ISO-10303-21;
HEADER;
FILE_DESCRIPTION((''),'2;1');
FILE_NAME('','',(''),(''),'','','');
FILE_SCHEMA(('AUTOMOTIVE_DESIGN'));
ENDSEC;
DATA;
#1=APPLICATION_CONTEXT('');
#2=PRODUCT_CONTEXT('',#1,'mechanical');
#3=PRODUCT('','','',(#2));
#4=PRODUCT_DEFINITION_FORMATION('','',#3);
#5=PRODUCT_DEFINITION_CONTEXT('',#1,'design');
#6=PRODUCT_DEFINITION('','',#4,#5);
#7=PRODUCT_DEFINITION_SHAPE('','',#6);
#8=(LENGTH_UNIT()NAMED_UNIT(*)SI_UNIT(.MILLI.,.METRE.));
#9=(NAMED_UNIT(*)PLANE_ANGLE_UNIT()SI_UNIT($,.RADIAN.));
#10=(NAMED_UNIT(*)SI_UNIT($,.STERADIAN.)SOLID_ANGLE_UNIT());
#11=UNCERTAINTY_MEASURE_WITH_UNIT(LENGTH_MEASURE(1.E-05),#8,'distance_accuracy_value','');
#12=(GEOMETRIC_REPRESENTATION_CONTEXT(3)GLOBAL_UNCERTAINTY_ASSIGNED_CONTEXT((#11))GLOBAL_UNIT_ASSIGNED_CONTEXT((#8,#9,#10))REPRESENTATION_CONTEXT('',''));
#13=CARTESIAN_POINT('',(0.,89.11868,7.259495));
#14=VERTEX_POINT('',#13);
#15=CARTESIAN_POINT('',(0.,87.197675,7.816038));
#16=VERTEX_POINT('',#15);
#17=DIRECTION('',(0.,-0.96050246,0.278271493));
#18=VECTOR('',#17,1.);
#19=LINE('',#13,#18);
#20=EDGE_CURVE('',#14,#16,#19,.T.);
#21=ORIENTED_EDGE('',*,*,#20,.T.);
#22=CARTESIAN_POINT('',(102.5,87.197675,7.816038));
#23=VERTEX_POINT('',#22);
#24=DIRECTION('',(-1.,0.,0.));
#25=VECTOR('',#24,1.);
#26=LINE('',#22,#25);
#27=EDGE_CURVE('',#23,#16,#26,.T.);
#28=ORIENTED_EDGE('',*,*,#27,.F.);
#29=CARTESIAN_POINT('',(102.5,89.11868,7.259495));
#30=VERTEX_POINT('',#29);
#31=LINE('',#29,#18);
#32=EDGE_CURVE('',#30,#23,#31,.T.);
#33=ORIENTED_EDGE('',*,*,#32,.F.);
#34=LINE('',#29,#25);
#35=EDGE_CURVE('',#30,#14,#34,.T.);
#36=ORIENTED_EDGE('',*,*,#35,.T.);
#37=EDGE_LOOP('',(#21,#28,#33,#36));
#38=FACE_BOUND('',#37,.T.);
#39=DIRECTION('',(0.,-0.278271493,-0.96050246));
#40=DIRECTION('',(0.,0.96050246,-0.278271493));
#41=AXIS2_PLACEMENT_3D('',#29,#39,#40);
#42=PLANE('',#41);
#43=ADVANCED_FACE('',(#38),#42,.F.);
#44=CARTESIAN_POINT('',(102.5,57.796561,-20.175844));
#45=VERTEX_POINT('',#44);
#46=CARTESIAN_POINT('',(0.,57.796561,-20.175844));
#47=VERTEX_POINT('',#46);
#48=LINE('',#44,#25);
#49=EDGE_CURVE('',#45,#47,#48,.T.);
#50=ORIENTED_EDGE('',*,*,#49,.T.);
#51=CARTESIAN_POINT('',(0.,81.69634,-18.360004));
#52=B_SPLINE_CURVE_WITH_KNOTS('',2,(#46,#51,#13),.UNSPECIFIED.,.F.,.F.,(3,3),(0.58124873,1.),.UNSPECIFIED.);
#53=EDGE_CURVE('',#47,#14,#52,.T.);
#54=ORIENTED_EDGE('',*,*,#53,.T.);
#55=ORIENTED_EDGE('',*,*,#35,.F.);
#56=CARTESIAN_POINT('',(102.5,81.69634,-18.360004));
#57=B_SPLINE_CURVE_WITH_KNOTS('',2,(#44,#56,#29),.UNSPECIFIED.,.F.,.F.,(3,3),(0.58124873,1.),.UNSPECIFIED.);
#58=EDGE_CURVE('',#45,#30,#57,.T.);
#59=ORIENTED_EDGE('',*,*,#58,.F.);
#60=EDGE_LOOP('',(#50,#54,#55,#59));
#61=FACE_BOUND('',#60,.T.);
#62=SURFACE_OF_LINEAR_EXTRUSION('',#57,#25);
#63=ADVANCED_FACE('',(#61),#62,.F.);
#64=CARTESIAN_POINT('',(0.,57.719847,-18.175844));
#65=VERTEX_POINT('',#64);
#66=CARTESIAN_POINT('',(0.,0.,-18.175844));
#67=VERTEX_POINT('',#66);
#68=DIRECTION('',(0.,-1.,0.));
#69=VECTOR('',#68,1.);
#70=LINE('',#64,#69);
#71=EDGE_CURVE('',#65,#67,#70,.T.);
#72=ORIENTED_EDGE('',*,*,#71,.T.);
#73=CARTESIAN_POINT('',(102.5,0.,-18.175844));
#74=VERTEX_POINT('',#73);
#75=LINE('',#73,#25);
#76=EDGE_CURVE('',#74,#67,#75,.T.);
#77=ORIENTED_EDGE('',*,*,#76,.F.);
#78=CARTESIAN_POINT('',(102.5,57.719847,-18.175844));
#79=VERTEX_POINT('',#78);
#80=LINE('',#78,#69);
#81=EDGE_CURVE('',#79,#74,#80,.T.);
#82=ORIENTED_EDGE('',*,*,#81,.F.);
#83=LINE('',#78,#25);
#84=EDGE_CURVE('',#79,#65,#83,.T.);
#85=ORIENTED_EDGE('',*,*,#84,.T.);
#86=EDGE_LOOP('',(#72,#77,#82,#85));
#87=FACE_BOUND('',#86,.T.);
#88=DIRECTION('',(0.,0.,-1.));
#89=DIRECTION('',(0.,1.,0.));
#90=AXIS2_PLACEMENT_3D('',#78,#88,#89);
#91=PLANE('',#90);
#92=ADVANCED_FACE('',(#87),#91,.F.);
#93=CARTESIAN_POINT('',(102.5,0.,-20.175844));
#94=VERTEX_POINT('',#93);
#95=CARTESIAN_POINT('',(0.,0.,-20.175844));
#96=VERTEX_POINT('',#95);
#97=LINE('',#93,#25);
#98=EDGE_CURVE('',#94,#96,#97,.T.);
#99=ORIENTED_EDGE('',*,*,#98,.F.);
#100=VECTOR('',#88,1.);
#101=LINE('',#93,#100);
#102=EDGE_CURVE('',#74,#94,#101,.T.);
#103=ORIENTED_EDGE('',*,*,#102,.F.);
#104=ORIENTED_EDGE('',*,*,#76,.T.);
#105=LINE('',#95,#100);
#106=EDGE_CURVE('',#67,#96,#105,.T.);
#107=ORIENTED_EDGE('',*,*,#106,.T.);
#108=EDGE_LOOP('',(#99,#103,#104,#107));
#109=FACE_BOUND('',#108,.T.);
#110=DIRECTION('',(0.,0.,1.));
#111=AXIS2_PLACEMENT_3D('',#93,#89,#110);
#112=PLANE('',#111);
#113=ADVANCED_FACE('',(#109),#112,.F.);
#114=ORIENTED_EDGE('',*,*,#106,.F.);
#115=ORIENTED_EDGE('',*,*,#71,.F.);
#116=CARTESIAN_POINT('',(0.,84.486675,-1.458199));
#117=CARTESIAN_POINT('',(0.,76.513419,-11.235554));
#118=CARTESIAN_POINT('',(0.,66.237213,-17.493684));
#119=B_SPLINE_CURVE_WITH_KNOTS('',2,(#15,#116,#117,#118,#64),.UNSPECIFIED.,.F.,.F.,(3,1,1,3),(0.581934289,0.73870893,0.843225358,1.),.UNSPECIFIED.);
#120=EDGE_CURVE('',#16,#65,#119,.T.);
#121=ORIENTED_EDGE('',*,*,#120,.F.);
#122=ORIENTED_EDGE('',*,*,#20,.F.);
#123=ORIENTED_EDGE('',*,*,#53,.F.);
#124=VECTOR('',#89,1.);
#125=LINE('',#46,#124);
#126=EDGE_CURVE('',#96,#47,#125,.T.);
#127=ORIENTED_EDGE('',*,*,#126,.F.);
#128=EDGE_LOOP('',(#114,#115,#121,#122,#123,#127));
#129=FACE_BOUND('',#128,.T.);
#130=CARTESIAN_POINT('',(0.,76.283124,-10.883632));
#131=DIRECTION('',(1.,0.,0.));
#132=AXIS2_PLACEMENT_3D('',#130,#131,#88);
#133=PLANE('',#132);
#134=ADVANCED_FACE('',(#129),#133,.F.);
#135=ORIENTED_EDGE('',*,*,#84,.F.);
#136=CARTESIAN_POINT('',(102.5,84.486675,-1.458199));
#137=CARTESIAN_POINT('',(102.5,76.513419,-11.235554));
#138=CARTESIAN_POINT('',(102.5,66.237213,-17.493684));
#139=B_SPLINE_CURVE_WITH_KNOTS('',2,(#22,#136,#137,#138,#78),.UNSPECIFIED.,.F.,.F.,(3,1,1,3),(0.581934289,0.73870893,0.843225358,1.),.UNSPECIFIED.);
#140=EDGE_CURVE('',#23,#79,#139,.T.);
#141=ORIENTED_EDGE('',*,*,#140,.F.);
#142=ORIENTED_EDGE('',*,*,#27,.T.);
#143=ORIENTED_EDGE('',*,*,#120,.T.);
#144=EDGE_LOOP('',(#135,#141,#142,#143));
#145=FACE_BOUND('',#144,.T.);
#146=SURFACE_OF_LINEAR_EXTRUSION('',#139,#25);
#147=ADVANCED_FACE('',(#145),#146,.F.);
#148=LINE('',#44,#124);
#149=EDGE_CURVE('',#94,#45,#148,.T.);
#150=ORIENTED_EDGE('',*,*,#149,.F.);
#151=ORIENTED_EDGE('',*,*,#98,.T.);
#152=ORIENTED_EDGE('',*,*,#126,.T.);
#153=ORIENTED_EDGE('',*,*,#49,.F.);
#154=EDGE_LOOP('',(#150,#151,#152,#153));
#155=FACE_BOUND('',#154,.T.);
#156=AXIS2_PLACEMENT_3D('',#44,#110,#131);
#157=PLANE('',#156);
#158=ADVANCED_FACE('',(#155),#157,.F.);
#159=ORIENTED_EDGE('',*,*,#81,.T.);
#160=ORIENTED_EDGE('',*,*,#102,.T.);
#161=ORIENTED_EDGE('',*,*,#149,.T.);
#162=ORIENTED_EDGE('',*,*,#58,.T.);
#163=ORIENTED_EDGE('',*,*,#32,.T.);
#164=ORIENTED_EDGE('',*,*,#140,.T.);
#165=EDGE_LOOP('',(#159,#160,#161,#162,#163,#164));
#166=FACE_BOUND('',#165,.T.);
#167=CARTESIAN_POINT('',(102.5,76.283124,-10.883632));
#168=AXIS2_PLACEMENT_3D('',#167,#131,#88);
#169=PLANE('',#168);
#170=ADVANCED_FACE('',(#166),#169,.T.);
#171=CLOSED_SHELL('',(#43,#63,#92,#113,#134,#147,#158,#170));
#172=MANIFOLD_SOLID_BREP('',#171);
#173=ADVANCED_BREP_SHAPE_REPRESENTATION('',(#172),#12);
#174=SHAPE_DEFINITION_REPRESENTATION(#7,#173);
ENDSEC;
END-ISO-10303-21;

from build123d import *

# Parameters (mm, degrees)
BOSS_EXTRU_1_DEPTH = 102.5


with BuildPart() as part:
    # Esquisse2 → Boss.-Extru.1 (new body)
    with BuildSketch(Plane(origin=(0, 0, 0), x_dir=(0, 0, -1), z_dir=(1, 0, 0))):
        with BuildLine():
            Line((20.175844181, 57.796560731), (20.175844181, 0))
            Line((20.175844181, 0), (18.175844181, 0))
            Line((18.175844181, 0), (18.175844181, 57.719847418))
            add(Edge.make_bspline(
                [(-7.816037555, 87.197675328), (1.458199142, 84.486674845), (11.235554116, 76.513419425), (17.493683513, 66.237213452), (18.175844181, 57.719847418)],
                knots=[0.581934289, 0.581934289, 0.581934289, 0.73870893, 0.843225358, 1, 1, 1], degree=2))
            Line((-7.816037555, 87.197675328), (-7.259494569, 89.118680248))
            add(Edge.make_bspline(
                [(20.175844181, 57.796560731), (18.360004181, 81.6963399), (-7.259494569, 89.118680248)],
                knots=[0.58124873, 0.58124873, 0.58124873, 1, 1, 1], degree=2))
        make_face()
    extrude(amount=BOSS_EXTRU_1_DEPTH)


solid = part.part
